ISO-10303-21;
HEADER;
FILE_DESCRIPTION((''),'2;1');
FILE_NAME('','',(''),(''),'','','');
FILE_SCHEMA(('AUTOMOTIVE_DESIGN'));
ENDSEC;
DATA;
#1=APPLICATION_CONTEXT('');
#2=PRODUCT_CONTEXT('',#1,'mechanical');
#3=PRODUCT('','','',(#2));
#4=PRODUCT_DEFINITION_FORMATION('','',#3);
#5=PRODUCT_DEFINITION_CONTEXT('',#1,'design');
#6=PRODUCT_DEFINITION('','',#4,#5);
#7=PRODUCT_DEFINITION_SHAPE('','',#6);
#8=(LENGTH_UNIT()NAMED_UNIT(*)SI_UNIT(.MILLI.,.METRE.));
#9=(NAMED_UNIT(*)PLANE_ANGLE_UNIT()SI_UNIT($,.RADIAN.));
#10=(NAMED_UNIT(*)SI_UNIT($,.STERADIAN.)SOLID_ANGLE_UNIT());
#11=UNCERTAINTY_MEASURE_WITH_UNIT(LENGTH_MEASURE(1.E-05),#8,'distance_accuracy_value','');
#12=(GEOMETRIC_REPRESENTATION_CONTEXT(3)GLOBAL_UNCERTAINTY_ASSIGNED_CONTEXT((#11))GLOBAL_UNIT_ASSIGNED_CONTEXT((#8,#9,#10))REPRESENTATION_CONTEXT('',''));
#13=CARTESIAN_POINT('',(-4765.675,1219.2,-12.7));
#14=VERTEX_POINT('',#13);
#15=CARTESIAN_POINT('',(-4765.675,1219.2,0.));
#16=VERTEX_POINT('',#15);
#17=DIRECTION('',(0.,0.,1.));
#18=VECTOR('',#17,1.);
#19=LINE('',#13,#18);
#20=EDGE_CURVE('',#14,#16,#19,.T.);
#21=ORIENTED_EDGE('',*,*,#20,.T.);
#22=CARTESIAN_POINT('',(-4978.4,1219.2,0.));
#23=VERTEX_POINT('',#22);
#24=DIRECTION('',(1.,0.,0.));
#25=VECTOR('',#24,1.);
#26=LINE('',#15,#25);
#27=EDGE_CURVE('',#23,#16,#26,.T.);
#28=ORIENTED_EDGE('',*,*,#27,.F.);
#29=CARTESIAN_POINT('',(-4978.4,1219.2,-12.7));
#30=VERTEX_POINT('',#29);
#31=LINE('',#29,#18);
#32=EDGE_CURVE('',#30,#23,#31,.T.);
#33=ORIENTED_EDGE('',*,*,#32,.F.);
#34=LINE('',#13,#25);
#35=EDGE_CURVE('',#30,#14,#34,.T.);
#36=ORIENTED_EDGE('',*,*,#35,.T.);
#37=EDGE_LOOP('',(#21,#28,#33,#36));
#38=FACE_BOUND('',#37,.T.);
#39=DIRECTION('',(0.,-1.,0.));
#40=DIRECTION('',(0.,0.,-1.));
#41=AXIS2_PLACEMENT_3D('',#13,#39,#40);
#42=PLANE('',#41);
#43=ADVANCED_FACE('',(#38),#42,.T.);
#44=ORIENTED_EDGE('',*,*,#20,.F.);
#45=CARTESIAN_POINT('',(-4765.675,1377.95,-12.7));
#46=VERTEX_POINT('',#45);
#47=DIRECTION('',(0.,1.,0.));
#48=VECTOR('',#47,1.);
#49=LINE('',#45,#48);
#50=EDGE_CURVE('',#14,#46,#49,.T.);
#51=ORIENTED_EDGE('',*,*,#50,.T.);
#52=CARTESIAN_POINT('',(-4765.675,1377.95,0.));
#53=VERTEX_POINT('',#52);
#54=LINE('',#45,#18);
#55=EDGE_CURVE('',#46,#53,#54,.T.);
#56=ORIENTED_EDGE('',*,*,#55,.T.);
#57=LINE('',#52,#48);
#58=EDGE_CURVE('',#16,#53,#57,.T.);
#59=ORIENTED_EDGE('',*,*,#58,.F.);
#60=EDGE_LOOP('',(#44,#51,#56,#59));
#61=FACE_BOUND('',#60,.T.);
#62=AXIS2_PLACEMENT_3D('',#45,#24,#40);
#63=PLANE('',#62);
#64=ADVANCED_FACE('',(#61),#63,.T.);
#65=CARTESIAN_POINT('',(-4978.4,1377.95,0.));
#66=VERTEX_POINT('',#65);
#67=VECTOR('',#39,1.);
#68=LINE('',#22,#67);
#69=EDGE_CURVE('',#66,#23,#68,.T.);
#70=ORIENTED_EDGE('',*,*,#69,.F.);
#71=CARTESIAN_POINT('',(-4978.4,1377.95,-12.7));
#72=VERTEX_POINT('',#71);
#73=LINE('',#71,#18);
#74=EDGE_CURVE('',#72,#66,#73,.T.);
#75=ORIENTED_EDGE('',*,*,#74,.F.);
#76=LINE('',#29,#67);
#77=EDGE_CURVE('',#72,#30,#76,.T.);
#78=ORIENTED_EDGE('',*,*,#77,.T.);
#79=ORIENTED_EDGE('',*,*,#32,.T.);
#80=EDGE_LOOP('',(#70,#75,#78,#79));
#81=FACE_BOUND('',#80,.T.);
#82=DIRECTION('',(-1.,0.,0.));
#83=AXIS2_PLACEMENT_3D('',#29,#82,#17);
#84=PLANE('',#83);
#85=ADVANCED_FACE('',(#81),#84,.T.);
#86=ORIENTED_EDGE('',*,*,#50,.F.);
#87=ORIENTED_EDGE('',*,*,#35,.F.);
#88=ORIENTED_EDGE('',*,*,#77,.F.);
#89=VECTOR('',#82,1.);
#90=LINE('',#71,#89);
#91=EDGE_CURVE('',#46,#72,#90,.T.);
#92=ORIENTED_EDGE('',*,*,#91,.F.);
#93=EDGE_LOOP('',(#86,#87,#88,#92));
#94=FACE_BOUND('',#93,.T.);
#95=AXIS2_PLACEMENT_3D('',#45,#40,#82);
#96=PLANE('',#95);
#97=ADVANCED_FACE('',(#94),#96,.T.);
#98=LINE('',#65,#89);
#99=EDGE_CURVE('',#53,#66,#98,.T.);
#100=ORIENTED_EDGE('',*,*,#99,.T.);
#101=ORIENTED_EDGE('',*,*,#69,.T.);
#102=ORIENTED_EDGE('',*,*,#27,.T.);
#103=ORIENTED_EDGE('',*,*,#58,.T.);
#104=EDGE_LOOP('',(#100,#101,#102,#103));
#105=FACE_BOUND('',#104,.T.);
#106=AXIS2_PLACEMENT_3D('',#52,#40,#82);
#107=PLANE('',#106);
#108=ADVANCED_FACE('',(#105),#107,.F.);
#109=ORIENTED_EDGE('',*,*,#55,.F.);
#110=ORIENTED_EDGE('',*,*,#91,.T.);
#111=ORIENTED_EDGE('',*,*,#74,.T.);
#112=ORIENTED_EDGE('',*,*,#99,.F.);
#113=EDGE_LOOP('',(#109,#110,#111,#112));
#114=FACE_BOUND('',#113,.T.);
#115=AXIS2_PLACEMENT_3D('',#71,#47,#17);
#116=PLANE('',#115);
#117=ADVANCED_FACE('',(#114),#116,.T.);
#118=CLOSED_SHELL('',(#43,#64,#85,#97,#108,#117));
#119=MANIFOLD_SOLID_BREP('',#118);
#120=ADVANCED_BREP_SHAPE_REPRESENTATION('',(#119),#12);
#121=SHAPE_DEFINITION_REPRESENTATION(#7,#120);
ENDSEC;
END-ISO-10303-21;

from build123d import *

# Parameters (mm, degrees)
SKETCH2_W      = 212.725
SKETCH2_H      = 158.75
EXTRUDE1_DEPTH = 12.7


with BuildPart() as part:
    # Sketch2 → Extrude1 (new body)
    with BuildSketch(Plane.XY):
        with Locations((-4872.0375, 1298.575)):
            Rectangle(SKETCH2_W, SKETCH2_H)
    extrude(amount=-EXTRUDE1_DEPTH)


solid = part.part
